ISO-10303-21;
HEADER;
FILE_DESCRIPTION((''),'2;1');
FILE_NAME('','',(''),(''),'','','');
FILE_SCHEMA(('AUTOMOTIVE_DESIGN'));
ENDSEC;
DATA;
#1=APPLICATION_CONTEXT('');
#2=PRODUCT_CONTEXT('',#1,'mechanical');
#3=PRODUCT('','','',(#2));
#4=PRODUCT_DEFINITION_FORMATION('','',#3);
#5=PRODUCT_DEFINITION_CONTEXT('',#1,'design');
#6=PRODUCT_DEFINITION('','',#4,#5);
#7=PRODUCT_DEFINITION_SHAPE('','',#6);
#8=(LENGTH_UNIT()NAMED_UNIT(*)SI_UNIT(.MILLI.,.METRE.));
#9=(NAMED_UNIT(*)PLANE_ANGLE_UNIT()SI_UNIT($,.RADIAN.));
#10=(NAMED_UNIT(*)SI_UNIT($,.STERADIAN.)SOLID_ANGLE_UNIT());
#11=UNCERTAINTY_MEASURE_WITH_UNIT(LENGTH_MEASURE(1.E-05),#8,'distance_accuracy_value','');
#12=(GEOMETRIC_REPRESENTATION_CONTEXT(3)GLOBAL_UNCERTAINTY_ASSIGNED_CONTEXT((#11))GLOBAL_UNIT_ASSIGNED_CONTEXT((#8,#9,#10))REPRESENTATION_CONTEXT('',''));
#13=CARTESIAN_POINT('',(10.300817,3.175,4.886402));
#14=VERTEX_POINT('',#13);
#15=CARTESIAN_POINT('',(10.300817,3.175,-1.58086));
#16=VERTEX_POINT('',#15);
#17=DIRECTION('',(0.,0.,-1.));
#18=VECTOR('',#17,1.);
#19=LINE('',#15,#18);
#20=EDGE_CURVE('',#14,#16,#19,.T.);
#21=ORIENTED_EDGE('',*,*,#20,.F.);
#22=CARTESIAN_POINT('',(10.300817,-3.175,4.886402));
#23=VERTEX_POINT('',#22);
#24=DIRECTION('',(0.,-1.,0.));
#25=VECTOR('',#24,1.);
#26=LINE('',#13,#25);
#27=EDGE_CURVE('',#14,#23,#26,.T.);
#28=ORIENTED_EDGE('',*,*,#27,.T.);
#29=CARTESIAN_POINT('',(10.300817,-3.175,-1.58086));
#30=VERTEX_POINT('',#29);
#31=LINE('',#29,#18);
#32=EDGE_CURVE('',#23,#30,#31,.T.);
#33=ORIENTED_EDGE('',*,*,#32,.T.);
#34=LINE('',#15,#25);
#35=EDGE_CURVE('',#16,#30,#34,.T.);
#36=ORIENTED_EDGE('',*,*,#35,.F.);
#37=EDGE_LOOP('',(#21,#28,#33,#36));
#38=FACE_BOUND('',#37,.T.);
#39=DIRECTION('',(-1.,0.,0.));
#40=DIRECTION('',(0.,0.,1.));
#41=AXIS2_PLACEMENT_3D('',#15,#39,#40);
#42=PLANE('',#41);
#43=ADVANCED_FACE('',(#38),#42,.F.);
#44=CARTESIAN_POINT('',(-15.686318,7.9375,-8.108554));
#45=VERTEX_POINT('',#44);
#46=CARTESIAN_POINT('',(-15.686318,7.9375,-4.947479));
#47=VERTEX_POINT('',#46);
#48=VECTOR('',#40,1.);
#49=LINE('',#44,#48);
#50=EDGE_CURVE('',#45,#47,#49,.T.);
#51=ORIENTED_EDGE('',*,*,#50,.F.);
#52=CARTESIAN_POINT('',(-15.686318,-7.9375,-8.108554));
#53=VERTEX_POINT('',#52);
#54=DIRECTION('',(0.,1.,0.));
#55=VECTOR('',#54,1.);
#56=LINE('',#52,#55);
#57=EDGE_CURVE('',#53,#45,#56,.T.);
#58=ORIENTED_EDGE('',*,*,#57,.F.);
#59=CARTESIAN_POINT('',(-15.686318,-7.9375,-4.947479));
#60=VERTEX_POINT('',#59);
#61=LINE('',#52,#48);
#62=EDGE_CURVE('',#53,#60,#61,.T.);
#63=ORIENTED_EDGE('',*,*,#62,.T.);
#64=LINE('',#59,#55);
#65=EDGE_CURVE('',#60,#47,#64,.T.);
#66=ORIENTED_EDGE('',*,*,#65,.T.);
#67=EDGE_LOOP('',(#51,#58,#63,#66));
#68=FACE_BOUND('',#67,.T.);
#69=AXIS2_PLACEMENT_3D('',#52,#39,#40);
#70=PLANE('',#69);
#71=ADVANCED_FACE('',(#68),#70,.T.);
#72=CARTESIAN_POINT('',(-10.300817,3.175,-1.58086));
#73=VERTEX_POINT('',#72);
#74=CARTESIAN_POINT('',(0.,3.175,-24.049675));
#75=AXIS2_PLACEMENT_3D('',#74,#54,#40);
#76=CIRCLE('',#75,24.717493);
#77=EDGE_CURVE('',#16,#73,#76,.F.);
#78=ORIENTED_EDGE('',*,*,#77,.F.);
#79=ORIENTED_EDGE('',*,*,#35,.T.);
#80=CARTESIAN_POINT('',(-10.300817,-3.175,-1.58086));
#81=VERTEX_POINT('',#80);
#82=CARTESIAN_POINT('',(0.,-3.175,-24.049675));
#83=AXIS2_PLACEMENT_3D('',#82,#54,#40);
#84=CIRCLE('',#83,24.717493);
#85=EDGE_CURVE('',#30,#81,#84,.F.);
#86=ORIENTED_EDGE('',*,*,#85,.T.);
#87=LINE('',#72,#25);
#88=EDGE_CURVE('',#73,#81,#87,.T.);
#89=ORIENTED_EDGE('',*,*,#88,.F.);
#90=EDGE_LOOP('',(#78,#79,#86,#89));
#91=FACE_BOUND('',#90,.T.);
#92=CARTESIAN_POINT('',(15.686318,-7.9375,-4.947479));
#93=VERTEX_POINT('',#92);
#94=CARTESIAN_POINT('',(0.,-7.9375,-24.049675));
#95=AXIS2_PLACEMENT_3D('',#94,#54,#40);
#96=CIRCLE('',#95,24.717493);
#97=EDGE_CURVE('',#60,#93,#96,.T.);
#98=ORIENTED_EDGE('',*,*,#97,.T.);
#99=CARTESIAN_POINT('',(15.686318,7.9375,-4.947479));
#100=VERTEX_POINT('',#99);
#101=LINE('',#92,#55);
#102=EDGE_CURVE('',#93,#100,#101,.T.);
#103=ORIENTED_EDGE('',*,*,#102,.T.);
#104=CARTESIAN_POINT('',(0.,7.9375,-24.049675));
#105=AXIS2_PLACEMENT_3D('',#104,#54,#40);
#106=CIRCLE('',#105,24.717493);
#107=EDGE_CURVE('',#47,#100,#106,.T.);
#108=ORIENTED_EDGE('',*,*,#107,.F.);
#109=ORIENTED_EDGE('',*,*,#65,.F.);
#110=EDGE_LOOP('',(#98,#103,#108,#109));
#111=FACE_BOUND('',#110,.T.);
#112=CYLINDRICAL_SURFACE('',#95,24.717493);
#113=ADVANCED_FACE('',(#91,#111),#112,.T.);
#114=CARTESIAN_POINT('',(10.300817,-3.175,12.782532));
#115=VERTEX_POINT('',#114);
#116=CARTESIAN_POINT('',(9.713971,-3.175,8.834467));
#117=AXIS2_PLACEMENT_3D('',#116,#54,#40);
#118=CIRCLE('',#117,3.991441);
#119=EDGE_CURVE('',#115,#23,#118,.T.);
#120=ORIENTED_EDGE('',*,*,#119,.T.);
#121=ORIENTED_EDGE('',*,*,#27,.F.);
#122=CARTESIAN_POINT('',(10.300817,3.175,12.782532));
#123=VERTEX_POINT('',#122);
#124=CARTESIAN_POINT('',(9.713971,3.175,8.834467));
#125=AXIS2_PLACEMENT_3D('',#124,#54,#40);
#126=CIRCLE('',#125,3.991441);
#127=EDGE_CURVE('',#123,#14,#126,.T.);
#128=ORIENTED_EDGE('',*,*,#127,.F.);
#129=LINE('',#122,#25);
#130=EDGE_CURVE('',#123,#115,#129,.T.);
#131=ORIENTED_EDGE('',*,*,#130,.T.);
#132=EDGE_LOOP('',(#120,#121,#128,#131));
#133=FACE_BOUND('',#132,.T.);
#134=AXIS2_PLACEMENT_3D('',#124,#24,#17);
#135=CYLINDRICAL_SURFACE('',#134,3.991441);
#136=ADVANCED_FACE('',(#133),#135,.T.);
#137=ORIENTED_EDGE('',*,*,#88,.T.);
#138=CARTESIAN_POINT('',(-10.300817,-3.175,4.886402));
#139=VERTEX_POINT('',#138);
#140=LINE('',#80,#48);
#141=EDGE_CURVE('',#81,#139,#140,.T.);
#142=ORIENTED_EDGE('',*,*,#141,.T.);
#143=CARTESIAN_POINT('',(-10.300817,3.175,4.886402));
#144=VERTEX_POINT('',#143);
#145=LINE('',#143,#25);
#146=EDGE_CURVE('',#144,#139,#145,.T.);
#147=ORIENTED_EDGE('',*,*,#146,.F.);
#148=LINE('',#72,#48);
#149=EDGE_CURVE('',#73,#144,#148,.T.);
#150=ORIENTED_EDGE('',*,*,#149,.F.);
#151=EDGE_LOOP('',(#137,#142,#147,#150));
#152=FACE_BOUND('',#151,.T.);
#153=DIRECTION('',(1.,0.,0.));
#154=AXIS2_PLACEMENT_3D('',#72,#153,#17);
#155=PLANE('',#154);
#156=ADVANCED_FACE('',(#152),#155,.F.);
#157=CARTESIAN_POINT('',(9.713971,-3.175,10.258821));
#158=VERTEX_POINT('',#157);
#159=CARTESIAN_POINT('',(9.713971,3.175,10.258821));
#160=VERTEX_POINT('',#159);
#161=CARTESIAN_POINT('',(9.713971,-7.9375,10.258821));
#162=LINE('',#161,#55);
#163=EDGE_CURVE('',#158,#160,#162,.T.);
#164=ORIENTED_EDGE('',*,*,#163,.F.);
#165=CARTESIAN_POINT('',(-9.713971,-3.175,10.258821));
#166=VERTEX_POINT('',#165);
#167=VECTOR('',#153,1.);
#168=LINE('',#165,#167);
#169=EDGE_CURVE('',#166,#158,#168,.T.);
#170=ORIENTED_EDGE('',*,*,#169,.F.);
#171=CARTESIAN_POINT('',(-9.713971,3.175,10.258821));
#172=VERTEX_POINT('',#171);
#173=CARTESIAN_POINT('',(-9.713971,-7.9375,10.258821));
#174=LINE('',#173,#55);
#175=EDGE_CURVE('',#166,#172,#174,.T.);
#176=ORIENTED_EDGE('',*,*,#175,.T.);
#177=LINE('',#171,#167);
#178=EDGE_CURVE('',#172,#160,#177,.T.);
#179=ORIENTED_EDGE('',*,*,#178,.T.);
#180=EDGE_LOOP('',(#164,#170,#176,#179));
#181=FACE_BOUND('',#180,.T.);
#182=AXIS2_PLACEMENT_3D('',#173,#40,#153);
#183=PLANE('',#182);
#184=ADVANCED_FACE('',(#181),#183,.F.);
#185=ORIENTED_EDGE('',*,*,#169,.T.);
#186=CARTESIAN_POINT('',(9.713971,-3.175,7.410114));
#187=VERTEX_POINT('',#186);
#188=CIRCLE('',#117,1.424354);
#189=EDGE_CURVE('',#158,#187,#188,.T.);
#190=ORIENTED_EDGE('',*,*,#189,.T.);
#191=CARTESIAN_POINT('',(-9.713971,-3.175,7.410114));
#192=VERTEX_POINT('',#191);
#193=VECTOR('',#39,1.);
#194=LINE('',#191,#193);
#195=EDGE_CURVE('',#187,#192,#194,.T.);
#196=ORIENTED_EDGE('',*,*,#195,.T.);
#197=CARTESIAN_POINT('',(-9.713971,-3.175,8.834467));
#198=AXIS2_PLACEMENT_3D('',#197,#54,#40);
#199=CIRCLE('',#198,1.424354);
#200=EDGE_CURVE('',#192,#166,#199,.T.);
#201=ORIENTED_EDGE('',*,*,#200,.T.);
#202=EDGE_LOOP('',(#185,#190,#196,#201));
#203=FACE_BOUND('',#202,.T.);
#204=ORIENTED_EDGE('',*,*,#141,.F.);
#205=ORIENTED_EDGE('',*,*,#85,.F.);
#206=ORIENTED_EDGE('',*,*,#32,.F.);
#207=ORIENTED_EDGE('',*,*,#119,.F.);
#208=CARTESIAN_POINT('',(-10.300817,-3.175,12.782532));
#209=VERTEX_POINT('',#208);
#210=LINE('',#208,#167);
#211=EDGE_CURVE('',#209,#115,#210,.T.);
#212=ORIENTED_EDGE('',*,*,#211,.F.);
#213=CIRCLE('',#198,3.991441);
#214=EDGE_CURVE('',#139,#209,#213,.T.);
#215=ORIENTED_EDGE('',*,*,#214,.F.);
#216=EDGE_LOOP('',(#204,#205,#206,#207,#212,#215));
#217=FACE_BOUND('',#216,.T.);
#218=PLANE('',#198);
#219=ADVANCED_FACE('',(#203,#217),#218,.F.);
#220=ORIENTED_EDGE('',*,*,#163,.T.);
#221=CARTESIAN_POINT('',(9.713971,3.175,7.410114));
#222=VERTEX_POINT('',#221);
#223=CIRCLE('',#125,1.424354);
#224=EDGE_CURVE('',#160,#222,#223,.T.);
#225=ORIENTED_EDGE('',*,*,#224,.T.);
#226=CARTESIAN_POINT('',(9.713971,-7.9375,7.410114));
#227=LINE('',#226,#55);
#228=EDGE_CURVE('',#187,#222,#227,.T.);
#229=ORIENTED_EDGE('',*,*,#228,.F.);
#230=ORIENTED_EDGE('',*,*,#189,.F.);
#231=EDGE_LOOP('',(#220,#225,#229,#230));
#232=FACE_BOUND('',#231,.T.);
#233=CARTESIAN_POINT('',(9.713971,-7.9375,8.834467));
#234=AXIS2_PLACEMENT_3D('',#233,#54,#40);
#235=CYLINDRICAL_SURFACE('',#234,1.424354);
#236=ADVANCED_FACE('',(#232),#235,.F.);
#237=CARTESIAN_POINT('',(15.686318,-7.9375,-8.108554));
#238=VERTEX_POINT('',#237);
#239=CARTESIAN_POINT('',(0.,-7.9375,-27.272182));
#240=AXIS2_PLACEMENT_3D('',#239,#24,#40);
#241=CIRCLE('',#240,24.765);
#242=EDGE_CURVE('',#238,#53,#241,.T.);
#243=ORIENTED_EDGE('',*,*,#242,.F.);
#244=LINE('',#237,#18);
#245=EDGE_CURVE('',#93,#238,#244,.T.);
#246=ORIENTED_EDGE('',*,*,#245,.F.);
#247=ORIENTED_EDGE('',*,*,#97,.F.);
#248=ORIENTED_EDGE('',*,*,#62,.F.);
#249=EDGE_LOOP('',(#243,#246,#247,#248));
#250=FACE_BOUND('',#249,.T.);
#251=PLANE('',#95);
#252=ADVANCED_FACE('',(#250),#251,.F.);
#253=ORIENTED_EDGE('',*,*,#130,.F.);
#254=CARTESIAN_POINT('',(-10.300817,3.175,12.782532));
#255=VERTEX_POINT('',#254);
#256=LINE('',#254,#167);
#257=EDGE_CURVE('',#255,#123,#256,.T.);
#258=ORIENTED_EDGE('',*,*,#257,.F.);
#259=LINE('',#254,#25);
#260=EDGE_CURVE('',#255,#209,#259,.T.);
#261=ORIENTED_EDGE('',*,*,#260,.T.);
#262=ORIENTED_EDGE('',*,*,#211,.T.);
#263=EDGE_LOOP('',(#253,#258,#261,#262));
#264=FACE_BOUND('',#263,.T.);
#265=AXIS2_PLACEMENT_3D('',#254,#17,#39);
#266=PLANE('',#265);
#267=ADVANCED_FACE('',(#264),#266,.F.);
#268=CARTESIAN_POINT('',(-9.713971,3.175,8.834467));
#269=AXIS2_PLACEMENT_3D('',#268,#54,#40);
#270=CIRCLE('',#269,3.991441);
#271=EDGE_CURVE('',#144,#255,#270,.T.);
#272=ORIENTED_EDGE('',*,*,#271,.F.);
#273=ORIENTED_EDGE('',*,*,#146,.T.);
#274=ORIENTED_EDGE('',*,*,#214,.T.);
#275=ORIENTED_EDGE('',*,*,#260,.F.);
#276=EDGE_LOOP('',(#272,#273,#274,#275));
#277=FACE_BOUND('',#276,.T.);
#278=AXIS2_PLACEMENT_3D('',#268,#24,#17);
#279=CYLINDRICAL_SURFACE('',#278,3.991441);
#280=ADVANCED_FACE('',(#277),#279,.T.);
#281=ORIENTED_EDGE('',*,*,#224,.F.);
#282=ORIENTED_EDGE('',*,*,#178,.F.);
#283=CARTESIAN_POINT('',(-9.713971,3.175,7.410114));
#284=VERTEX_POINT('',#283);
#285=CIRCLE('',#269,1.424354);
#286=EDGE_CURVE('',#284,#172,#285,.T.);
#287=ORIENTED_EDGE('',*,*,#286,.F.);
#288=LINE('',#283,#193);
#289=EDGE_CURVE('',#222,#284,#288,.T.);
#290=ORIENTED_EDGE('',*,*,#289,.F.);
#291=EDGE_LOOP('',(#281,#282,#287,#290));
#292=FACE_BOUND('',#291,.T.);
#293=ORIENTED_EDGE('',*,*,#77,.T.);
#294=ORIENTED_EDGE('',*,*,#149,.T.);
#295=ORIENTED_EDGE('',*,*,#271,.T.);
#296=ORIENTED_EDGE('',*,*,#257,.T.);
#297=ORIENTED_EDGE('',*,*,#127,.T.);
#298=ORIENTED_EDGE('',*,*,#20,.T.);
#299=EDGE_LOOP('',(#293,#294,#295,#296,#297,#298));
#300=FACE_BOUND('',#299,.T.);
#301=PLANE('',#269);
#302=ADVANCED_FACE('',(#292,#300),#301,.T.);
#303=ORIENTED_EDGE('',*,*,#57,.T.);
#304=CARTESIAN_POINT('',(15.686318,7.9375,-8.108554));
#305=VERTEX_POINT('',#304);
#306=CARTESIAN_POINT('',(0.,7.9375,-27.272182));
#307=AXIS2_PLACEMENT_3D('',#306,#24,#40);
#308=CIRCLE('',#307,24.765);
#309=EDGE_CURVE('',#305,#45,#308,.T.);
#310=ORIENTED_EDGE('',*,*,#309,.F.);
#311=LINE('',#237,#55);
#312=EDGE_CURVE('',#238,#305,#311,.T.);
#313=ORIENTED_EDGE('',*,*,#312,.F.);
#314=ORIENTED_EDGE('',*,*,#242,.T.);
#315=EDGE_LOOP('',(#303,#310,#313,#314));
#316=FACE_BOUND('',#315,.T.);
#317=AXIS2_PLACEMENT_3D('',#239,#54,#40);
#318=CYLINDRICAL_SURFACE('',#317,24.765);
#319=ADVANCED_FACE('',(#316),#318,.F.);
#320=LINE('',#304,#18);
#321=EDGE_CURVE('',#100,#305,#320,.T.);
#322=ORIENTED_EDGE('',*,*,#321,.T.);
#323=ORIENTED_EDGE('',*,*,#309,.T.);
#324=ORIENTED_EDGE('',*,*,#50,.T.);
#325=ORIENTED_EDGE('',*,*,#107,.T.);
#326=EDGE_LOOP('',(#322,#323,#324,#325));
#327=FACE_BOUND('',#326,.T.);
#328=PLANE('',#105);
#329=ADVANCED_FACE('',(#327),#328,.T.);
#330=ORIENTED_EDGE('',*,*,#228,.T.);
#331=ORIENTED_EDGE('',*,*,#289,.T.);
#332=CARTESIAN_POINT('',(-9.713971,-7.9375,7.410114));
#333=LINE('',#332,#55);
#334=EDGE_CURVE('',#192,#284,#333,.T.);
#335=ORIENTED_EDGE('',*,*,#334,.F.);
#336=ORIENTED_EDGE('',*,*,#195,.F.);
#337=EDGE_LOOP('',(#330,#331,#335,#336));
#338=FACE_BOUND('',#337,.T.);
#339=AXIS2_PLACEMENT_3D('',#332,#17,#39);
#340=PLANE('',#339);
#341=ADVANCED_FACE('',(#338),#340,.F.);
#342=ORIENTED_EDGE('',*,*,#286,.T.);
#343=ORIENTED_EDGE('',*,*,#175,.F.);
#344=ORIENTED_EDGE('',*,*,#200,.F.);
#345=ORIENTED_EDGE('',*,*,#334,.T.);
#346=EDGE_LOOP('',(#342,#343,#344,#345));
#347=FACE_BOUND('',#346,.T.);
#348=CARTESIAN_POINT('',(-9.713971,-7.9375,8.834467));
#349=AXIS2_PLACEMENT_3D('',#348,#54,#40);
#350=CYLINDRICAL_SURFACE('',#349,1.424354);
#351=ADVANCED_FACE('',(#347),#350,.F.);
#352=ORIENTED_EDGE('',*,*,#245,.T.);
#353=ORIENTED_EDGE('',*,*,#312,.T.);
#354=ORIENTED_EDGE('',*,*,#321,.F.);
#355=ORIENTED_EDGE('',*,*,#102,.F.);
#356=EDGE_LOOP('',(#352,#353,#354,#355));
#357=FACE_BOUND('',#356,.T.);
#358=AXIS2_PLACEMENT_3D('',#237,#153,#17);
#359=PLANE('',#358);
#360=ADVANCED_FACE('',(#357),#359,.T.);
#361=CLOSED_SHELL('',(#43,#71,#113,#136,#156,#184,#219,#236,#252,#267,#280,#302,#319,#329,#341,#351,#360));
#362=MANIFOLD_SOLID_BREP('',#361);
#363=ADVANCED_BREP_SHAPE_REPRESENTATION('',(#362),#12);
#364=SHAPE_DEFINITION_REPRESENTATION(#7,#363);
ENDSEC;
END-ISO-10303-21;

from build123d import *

# Parameters (mm, degrees)
BOSS_EXTRUDE1_DEPTH = 3.175
BOSS_EXTRUDE2_DEPTH = 1.27
CUT_EXTRUDE1_DEPTH  = 10.82505851
SCALE1_SCALE        = 2.5


with BuildPart() as part:
    # Sketch2 → Boss-Extrude1 (new, symmetric)
    with BuildSketch(Plane(origin=(0, 0, 0), x_dir=(1, 0, 0), z_dir=(0, 1, 0))):
        with BuildLine():
            Line((-6.274527226, 2.24054867), (-6.274527226, 0.976118894))
            ThreePointArc((-6.274527226, 0.976118894), (0, -1.27), (6.274527226, 0.976118894))
            Line((6.274527226, 0.976118894), (6.274527226, 2.24054867))
            ThreePointArc((6.274527226, 2.24054867), (0, 0), (-6.274527226, 2.24054867))
        make_face()
    extrude(amount=BOSS_EXTRUDE1_DEPTH, both=True)

    # Sketch3 → Boss-Extrude2 (add, symmetric)
    with BuildSketch(Plane(origin=(0, 0, 0), x_dir=(1, 0, 0), z_dir=(0, 1, 0))):
        with BuildLine():
            Line((-4.120326649, -0.370528697), (4.120326649, -0.370528697))
            Line((4.120326649, -0.370528697), (4.120326649, -2.957433704))
            ThreePointArc((4.120326649, -2.957433704), (5.482164962, -4.536659699), (4.120326649, -6.115885694))
            Line((4.120326649, -6.115885694), (-4.120326649, -6.115885694))
            ThreePointArc((-4.120326649, -6.115885694), (-5.482164962, -4.536659699), (-4.120326649, -2.957433704))
            Line((-4.120326649, -2.957433704), (-4.120326649, -0.370528697))
        make_face()
    extrude(amount=BOSS_EXTRUDE2_DEPTH, both=True)

    # Sketch4 → Cut-Extrude1 (cut, through all)
    with BuildSketch(Plane(origin=(0, 1.27, 0), x_dir=(1, 0, 0), z_dir=(0, 1, 0))):
        with BuildLine():
            Line((-3.885588375, -3.966918266), (3.885588375, -3.966918266))
            ThreePointArc((3.885588375, -3.966918266), (4.455329808, -4.536659699), (3.885588375, -5.106401132))
            Line((3.885588375, -5.106401132), (-3.885588375, -5.106401132))
            ThreePointArc((-3.885588375, -5.106401132), (-4.455329808, -4.536659699), (-3.885588375, -3.966918266))
        make_face()
    extrude(amount=-CUT_EXTRUDE1_DEPTH, mode=Mode.SUBTRACT)


with BuildPart() as part_1:
    # Scale1: scaled about (0, 0, 1.671454739)
    add(part.part.scale(SCALE1_SCALE).moved(Location((0, 0, -2.507182109))))


solid = part_1.part
